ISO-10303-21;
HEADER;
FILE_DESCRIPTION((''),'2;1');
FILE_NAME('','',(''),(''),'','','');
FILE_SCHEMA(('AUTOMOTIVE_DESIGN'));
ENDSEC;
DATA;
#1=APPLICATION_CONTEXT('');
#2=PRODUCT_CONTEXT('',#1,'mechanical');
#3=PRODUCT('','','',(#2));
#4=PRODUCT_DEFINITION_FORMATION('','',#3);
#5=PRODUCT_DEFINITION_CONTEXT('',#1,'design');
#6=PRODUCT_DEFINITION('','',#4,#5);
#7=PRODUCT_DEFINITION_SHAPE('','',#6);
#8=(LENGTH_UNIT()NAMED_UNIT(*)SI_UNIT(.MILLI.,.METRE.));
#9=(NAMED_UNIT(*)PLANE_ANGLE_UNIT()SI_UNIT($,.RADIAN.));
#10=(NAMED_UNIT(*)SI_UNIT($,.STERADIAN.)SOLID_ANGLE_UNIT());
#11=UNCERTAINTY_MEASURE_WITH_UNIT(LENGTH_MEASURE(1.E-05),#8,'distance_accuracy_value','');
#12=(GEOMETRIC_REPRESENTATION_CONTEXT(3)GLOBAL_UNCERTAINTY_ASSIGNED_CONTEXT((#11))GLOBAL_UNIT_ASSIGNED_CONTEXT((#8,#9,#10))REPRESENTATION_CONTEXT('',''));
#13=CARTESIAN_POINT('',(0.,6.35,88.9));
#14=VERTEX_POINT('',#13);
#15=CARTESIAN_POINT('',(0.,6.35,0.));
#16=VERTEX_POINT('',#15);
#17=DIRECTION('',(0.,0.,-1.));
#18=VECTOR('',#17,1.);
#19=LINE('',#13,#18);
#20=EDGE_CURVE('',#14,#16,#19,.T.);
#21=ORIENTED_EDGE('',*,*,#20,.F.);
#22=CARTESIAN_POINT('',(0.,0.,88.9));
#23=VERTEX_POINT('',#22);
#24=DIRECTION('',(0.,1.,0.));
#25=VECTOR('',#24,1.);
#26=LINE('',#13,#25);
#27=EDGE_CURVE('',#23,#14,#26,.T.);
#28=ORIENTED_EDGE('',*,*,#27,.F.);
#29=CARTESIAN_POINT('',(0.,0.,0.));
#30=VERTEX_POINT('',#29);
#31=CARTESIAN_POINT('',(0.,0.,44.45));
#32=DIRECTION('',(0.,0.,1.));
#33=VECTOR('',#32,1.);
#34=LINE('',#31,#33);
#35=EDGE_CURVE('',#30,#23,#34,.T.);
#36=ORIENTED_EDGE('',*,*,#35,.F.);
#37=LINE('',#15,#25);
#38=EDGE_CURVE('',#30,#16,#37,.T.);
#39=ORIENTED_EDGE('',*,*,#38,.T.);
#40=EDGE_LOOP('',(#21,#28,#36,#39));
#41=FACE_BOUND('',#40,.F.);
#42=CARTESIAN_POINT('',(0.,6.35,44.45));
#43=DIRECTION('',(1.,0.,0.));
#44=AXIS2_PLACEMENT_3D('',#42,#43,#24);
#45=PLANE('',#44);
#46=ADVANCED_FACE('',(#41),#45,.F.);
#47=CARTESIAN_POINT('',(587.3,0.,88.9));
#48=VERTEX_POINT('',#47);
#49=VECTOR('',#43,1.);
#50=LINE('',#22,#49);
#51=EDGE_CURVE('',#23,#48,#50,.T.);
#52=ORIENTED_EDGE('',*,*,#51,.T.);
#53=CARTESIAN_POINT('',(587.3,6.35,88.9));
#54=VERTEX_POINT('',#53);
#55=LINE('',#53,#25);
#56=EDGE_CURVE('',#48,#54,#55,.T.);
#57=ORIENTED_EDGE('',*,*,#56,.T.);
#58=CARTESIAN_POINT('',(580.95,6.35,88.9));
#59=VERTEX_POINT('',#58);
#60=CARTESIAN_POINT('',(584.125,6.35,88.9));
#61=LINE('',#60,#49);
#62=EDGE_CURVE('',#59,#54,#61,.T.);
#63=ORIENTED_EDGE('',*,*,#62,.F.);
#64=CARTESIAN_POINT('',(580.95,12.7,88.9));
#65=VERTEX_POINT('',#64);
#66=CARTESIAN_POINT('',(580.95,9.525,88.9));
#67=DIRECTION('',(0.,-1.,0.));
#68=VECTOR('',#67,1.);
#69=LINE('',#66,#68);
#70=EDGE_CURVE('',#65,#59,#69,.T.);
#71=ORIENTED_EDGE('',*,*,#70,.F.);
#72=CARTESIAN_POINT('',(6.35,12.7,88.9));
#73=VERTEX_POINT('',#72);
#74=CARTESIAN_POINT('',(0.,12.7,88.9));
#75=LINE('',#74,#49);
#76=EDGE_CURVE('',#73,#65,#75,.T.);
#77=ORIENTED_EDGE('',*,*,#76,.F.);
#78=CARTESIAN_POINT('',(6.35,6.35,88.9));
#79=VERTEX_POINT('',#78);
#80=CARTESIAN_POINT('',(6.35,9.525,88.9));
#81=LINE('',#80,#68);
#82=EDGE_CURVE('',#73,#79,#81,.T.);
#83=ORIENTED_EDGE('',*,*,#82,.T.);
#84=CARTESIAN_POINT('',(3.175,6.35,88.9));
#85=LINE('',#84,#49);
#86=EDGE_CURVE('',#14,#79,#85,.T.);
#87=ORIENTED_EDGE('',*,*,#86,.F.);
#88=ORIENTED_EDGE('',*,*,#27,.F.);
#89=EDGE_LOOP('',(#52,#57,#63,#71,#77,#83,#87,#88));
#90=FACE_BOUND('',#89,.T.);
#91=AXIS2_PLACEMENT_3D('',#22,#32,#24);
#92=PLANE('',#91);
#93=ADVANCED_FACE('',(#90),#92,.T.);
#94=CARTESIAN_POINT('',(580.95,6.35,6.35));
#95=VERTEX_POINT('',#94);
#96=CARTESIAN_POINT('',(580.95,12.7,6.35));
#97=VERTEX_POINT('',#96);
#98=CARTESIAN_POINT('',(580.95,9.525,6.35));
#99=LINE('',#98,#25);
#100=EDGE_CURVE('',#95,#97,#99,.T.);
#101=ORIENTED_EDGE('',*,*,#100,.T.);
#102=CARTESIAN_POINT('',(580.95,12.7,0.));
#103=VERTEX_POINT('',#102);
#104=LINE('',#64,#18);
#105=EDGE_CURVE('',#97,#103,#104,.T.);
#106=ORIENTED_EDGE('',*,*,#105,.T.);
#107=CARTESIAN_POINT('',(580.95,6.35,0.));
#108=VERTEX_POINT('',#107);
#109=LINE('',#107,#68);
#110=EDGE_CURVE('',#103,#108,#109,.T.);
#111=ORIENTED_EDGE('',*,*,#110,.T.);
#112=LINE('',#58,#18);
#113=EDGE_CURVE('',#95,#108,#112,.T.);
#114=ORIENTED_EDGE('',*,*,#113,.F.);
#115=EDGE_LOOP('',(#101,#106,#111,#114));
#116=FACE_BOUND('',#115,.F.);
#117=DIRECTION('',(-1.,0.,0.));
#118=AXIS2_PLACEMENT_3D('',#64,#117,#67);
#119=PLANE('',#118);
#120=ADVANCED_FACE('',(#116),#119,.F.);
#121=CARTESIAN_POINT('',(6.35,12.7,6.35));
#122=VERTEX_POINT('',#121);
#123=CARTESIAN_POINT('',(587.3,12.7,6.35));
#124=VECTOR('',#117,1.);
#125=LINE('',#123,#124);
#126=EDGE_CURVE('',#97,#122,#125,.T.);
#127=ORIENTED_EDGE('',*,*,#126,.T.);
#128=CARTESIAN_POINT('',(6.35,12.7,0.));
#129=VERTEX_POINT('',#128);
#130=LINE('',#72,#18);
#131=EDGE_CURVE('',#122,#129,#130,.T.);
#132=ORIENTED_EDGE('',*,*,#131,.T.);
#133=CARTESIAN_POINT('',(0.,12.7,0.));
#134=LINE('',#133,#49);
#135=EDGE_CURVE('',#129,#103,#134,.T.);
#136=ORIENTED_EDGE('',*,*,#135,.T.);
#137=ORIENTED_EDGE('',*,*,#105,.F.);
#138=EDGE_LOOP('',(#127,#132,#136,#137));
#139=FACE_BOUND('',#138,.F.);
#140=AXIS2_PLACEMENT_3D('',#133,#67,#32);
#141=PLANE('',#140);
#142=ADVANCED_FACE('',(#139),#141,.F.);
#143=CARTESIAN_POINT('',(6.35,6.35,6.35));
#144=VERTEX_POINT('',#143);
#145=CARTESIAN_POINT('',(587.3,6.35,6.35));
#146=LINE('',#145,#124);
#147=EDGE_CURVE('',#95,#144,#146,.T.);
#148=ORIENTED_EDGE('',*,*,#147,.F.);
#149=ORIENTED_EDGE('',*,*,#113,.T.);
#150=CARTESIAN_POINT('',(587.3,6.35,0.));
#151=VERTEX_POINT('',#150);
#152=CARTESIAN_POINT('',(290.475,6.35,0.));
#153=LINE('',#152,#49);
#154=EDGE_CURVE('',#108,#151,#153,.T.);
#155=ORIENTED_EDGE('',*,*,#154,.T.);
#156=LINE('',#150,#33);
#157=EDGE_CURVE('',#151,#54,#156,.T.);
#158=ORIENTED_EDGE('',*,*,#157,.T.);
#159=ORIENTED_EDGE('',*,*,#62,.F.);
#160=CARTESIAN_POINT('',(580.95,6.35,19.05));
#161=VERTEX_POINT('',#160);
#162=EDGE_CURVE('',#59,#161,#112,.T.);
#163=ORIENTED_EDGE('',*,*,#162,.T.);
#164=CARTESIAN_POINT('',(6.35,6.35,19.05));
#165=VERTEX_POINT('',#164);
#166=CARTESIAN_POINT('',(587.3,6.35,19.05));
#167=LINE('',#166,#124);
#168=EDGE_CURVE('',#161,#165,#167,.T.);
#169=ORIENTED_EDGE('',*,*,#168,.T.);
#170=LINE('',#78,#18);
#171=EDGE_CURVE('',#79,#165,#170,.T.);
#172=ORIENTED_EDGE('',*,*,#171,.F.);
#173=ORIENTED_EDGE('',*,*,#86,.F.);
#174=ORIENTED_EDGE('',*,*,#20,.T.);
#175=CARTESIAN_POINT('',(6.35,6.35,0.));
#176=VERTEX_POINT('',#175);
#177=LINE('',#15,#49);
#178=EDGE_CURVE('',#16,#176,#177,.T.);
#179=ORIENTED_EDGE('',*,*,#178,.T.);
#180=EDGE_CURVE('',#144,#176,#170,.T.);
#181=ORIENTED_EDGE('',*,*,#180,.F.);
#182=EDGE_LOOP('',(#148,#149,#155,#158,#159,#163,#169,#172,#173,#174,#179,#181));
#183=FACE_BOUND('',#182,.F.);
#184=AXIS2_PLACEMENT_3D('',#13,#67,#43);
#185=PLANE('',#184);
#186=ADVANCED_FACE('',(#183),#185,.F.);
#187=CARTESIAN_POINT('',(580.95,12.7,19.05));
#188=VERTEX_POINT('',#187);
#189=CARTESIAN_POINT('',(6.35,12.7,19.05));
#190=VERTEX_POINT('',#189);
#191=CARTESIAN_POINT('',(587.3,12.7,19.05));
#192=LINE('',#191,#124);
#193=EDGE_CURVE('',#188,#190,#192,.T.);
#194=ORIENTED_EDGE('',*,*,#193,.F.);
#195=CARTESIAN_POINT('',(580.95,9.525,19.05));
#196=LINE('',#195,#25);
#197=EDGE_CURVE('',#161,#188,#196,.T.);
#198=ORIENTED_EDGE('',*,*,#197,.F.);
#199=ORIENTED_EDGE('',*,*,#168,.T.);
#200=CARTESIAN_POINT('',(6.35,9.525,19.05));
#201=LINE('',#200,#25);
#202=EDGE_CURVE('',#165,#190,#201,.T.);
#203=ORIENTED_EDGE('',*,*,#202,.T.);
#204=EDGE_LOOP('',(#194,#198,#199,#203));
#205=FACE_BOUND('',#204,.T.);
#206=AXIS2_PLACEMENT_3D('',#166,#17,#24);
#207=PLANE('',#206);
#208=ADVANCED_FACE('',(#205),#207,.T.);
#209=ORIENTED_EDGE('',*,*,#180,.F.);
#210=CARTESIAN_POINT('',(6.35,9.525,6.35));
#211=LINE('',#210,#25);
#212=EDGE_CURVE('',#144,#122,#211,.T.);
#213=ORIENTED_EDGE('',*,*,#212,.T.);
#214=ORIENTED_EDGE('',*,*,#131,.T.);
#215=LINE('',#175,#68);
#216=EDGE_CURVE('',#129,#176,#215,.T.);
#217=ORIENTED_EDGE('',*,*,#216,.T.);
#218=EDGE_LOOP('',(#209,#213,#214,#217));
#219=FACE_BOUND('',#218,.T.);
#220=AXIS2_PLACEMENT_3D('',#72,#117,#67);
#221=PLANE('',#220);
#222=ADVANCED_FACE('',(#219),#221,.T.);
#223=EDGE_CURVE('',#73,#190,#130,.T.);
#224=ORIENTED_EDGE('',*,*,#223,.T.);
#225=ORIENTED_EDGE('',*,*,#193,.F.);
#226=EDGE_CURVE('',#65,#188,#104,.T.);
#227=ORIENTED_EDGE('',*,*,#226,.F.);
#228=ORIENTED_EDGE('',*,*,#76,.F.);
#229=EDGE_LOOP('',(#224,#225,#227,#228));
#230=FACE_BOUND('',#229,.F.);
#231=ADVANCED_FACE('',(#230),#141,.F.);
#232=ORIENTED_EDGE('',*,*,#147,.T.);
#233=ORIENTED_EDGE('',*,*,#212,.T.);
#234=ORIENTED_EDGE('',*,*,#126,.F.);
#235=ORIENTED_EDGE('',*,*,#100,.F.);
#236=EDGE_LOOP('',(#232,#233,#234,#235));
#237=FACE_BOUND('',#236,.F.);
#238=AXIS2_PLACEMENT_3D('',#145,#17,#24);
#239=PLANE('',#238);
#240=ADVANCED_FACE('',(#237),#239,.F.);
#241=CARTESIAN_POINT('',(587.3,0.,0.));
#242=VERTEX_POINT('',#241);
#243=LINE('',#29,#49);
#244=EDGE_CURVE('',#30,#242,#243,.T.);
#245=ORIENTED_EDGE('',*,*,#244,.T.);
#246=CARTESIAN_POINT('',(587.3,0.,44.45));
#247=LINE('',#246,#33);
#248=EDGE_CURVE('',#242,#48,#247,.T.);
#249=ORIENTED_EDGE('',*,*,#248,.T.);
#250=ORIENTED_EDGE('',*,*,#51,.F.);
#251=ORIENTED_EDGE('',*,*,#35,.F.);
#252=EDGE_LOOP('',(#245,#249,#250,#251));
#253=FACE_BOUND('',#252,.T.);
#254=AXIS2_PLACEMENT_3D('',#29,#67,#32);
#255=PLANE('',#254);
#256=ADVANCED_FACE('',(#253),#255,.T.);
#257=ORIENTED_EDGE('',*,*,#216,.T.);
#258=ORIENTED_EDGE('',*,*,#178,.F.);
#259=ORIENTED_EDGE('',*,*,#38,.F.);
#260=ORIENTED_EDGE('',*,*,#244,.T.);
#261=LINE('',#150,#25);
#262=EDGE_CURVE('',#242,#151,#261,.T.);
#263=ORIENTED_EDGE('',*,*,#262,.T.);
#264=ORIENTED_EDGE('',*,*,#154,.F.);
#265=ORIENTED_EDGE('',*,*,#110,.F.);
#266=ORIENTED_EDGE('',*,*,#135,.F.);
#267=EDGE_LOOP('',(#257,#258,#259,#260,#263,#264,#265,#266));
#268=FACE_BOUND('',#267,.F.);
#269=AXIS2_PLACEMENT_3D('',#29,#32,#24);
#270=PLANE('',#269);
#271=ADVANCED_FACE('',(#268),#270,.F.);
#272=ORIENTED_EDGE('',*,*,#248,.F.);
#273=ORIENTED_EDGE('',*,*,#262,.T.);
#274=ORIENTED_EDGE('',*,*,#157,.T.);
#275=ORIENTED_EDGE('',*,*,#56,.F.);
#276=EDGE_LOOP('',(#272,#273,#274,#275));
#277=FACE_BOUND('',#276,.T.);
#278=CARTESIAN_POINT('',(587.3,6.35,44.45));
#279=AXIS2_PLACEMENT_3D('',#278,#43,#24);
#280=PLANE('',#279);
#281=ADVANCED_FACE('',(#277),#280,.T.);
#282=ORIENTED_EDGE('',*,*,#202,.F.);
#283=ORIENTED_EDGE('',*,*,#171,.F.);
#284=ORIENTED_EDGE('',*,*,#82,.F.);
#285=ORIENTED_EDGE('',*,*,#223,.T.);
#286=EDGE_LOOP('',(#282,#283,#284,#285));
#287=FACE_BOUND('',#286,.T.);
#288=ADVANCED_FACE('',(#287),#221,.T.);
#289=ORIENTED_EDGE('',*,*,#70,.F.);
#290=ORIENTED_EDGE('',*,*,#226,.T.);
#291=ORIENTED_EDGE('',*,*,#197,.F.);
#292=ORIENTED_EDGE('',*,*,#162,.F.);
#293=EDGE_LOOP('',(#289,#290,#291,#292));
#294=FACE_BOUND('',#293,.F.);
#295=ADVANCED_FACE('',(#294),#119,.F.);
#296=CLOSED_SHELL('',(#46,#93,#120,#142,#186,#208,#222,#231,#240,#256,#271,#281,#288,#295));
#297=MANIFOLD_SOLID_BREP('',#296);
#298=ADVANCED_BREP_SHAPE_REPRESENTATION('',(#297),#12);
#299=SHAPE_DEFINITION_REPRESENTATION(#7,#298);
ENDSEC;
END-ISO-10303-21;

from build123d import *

# Parameters (mm, degrees)
SKETCH_W        = 12.7
SKETCH_H        = 88.9
PAD_DEPTH       = 587.3
SKETCH001_W     = 6.35
SKETCH001_H     = 12.7
POCKET_DEPTH    = 587.301
SKETCH002_W     = 6.35
SKETCH002_H     = 6.35
POCKET001_DEPTH = 88.901


with BuildPart() as part:
    # Sketch → Pad (new body)
    with BuildSketch(Plane.YZ):
        with Locations((6.35, 44.45)):
            Rectangle(SKETCH_W, SKETCH_H)
    extrude(amount=PAD_DEPTH)

    # Sketch001 (on Face6 of Pad) → Pocket (cut, through all)
    with BuildSketch(Plane.YZ.offset(587.3)):
        with Locations((9.525, 12.7)):
            Rectangle(SKETCH001_W, SKETCH001_H)
    extrude(amount=-POCKET_DEPTH, mode=Mode.SUBTRACT)

    # Sketch002 (on Face6 of Pocket) → Pocket001 (cut, through all)
    with BuildSketch(Plane(origin=(0, 0, 88.9), x_dir=(0, -1, 0), z_dir=(0, 0, 1))):
        with Locations((-9.525, 584.125)):
            Rectangle(SKETCH002_W, SKETCH002_H)
        with Locations((-9.525, 3.175)):
            Rectangle(SKETCH002_W, SKETCH002_H)
    extrude(amount=-POCKET001_DEPTH, mode=Mode.SUBTRACT)


solid = part.part
